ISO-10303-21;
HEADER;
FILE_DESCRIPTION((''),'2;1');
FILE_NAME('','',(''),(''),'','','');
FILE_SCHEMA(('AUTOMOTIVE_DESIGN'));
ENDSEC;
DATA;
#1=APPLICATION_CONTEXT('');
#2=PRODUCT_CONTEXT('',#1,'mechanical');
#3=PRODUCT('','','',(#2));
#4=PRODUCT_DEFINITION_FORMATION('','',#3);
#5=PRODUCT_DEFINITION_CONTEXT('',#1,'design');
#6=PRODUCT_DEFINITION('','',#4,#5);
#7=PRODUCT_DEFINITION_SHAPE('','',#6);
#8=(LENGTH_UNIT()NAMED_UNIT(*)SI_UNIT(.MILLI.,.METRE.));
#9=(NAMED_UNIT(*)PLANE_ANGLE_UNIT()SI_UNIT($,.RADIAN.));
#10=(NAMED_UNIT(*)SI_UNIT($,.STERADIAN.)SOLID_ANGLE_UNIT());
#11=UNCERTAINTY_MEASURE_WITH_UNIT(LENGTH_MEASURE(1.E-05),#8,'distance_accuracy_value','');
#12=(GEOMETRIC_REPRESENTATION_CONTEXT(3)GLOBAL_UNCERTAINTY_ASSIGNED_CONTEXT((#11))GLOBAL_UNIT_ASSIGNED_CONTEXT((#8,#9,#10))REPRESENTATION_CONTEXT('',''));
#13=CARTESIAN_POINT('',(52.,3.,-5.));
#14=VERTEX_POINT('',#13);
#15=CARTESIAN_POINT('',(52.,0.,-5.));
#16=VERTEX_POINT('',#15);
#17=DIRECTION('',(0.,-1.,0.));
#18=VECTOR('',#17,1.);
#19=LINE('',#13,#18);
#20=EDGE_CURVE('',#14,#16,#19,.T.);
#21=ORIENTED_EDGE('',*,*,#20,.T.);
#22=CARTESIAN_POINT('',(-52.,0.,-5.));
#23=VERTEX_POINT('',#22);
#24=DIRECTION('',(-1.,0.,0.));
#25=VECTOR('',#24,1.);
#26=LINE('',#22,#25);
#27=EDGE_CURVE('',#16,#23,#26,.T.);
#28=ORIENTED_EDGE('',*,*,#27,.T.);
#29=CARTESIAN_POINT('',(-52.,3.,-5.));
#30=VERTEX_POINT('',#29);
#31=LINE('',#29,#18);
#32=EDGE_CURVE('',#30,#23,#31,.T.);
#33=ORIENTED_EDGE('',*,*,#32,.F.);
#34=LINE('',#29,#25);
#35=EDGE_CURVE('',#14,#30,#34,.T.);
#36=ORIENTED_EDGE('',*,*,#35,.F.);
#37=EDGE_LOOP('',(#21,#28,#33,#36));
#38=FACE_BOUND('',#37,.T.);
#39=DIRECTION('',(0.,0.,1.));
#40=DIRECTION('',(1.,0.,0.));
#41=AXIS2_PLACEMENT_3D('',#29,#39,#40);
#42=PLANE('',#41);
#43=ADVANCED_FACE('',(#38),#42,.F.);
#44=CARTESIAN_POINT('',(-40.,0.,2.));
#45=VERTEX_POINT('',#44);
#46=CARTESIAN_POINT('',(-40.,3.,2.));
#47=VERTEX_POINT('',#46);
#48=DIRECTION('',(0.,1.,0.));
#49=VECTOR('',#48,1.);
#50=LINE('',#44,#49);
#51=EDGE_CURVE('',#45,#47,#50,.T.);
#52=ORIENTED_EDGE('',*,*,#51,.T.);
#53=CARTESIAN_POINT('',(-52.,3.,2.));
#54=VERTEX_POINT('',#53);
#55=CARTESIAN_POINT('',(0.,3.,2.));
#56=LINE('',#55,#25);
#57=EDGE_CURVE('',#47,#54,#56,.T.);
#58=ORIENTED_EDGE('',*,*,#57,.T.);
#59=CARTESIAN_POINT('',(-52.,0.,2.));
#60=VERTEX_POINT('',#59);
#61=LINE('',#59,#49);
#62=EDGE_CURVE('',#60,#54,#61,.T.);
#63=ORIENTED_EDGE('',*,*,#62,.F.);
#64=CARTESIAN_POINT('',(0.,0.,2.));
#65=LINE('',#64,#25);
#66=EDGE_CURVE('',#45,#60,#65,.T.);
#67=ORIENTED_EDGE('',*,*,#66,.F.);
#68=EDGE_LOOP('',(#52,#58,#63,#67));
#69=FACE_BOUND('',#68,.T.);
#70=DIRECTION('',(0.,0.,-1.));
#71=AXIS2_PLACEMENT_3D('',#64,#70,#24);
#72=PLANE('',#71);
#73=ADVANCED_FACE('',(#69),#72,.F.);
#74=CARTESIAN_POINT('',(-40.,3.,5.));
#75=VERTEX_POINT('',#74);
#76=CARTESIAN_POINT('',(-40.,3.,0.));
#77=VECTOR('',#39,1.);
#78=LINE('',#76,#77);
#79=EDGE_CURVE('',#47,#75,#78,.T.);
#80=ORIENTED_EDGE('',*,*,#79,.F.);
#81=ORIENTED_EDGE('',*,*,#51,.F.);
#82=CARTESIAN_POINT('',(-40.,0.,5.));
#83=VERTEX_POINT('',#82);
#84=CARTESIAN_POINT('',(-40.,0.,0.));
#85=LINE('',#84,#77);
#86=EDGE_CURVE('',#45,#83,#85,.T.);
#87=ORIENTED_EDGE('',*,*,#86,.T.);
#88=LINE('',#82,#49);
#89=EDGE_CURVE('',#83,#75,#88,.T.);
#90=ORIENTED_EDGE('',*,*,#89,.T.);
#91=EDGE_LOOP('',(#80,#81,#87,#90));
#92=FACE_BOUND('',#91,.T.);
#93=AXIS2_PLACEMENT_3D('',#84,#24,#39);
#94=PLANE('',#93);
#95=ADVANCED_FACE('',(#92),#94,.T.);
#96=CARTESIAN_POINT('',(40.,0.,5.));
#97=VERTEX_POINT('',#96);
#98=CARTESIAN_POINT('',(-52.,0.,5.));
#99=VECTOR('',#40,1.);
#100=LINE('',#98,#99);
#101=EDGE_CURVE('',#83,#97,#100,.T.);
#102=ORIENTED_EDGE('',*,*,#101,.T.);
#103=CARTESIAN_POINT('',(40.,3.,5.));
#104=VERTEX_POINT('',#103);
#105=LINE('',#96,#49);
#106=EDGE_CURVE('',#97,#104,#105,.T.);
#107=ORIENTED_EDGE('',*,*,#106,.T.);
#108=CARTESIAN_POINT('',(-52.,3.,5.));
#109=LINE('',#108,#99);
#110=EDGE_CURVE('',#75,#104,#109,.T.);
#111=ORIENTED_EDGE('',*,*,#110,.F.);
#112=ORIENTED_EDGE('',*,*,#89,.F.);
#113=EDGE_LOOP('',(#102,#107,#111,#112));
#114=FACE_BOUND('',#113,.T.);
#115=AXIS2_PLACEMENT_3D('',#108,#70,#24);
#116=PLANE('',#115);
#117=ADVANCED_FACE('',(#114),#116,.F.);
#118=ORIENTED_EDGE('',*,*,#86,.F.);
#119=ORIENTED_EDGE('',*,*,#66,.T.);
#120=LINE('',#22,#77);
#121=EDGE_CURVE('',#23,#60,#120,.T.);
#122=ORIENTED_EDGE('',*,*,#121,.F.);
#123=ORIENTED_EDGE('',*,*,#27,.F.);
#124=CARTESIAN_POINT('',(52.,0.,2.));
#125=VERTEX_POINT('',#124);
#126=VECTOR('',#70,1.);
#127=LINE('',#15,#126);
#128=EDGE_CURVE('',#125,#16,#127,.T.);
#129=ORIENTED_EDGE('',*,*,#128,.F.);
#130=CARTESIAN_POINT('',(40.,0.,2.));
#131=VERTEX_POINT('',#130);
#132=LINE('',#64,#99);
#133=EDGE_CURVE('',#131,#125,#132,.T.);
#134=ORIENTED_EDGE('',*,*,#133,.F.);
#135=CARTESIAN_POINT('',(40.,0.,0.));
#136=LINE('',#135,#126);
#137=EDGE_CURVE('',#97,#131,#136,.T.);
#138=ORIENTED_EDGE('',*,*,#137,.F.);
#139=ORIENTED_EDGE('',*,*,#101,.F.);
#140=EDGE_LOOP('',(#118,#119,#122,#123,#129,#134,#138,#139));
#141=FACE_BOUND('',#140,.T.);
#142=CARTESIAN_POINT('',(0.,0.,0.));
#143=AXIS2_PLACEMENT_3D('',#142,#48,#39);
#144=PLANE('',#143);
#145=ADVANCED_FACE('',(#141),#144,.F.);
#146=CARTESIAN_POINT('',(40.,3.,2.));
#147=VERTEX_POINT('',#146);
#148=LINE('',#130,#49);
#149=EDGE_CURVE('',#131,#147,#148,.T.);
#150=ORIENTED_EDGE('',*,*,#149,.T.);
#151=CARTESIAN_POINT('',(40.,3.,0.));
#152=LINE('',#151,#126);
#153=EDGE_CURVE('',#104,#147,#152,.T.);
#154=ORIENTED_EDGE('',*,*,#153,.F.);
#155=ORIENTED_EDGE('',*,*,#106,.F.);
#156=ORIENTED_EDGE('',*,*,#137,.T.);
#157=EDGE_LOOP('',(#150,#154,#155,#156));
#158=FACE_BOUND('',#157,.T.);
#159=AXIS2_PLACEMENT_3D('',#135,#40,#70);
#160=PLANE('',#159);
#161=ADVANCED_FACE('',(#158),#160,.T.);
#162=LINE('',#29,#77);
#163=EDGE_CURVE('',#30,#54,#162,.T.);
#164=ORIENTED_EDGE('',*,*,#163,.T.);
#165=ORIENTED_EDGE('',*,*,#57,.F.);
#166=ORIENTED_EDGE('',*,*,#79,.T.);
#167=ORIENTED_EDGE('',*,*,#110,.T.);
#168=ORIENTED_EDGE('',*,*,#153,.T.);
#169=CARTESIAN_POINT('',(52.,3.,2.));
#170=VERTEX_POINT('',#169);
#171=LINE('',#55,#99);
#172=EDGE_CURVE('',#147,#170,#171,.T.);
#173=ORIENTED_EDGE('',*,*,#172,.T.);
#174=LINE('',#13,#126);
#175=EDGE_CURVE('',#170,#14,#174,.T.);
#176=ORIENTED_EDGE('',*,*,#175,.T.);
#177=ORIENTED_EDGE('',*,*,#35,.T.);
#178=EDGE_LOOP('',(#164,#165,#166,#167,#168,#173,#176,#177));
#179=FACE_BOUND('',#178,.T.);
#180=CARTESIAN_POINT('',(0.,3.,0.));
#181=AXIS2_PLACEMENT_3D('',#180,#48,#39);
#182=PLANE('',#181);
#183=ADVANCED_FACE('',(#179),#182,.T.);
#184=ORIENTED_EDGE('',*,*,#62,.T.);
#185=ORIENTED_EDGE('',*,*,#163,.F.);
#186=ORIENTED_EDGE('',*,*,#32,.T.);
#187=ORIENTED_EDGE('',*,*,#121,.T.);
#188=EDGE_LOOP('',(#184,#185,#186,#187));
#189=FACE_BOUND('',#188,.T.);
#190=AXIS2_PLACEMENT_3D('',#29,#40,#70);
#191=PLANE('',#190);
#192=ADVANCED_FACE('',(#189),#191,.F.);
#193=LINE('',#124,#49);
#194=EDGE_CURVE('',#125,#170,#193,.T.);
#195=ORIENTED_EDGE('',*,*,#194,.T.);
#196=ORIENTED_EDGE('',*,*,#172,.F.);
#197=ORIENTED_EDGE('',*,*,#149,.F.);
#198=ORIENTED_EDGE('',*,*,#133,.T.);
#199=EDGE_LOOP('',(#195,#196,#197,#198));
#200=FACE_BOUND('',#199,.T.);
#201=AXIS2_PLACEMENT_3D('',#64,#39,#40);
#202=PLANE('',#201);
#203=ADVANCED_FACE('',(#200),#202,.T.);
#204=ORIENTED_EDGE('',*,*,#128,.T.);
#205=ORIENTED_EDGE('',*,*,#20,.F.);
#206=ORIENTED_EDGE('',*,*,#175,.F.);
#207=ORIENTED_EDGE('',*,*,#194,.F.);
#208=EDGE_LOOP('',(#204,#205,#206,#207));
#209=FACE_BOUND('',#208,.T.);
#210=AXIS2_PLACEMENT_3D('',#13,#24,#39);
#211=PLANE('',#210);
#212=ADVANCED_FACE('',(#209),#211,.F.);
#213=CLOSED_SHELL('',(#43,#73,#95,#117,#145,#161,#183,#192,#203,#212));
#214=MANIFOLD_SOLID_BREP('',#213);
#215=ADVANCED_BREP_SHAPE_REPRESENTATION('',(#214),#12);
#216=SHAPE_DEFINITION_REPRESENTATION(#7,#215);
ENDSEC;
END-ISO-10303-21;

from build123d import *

# Parameters (mm, degrees)
SKETCH1_W           = 104
SKETCH1_H           = 10
BOSS_EXTRUDE1_DEPTH = 3
SKETCH2_W           = 12
SKETCH2_H           = 3
CUT_EXTRUDE2_DEPTH  = 53.325901808


with BuildPart() as part:
    # Sketch1 → Boss-Extrude1 (new body)
    with BuildSketch(Plane(origin=(0, 0, 0), x_dir=(1, 0, 0), z_dir=(0, 1, 0))):
        Rectangle(SKETCH1_W, SKETCH1_H)
    extrude(amount=BOSS_EXTRUDE1_DEPTH)

    # Sketch2 → Cut-Extrude2 (cut, through all)
    with BuildSketch(Plane(origin=(0, 3, 0), x_dir=(1, 0, 0), z_dir=(0, 1, 0))):
        with Locations((-46, -3.5)):
            Rectangle(SKETCH2_W, SKETCH2_H)
        with Locations((46, -3.5)):
            Rectangle(SKETCH2_W, SKETCH2_H)
    extrude(amount=-CUT_EXTRUDE2_DEPTH, mode=Mode.SUBTRACT)


solid = part.part
